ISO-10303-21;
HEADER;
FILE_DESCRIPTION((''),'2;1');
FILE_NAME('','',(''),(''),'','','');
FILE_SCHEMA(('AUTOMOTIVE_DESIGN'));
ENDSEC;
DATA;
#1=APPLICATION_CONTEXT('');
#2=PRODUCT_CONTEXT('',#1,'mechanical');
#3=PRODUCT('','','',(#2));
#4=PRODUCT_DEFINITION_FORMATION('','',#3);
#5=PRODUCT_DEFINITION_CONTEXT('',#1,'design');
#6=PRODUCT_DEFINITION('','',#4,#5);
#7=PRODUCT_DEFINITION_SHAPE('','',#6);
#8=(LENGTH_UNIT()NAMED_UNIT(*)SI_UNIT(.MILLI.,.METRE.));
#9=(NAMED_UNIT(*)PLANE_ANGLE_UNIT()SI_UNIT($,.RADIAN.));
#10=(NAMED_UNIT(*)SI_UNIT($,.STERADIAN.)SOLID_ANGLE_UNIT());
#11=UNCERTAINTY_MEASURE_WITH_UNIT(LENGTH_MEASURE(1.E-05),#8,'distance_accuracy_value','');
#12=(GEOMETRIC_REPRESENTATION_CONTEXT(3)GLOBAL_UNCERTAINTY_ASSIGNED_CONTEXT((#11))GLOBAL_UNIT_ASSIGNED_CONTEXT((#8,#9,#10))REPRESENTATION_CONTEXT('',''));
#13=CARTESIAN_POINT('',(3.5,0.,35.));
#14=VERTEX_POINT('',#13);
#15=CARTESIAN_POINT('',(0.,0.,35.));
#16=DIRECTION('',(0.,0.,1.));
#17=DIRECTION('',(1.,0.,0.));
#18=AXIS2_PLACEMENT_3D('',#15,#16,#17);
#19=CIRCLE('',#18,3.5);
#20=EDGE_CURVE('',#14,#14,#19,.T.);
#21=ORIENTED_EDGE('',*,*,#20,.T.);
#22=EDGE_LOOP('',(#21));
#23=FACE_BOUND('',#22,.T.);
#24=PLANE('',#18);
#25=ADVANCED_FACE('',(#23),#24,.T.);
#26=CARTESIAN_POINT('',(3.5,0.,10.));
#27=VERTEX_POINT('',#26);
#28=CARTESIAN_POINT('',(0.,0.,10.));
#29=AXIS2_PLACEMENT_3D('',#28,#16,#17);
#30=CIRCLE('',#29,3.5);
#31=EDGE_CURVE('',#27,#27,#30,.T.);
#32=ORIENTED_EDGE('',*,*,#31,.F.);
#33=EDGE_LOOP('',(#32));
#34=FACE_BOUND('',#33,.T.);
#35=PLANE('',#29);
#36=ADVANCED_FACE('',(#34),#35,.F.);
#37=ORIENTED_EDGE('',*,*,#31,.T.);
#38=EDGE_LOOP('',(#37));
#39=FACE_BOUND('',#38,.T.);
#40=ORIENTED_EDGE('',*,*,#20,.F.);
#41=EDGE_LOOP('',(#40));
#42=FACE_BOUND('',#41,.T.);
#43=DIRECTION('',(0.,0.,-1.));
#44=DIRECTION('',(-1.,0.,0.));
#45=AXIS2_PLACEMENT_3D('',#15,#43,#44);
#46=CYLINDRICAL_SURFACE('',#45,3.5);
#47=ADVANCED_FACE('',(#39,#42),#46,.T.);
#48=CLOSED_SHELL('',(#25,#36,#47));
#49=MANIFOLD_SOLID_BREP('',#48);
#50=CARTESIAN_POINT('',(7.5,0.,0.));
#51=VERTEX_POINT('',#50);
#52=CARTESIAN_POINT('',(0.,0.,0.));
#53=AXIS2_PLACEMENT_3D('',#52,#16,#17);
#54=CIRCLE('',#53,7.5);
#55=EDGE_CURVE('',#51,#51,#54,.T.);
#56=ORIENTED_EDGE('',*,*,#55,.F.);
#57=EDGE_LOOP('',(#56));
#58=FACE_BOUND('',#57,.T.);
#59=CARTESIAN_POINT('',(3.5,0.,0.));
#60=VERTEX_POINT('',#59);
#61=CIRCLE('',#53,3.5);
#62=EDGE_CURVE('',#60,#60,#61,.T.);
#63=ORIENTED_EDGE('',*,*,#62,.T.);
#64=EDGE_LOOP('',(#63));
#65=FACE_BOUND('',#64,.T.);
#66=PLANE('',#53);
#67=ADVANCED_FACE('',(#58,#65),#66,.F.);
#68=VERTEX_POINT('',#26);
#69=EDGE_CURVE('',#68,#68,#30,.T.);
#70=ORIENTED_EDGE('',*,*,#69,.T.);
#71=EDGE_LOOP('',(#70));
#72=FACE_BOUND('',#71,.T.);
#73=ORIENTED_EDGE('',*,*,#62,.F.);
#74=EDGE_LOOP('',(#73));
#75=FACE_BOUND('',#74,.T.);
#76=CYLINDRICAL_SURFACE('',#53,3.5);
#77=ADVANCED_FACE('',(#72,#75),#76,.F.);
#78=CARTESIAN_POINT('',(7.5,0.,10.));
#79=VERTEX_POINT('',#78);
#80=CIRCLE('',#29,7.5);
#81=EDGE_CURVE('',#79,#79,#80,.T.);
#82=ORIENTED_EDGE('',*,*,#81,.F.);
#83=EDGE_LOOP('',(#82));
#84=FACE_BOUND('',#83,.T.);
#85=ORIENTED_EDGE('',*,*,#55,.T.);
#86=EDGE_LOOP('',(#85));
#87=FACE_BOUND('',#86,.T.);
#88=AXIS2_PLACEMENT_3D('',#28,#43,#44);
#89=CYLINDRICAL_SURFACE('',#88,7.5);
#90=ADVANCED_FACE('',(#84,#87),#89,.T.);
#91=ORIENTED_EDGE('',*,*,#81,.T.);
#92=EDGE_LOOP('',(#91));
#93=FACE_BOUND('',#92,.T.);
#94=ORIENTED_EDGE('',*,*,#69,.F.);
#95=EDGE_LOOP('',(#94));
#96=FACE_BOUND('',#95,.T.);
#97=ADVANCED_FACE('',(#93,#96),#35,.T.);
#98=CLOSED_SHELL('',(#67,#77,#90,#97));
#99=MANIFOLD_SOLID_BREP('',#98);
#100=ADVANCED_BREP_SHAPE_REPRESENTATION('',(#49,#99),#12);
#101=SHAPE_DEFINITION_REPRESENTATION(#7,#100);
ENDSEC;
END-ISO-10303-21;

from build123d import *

# Parameters (mm, degrees)
SKETCH1_R           = 7.5
BOSS_EXTRUDE1_DEPTH = 10
SKETCH2_R           = 3.5
CUT_EXTRUDE1_DEPTH  = 10
SKETCH3_R           = 3.5
BOSS_EXTRUDE2_DEPTH = 25


with BuildPart() as part:
    # Sketch1 → Boss-Extrude1 (new body)
    with BuildSketch(Plane.XY):
        Circle(SKETCH1_R)
    extrude(amount=BOSS_EXTRUDE1_DEPTH)

    # Sketch2 → Cut-Extrude1 (cut)
    with BuildSketch(Plane.XY.offset(10)):
        Circle(SKETCH2_R)
    extrude(amount=-CUT_EXTRUDE1_DEPTH, mode=Mode.SUBTRACT)


with BuildPart() as body_2:
    # Sketch3 → Boss-Extrude2 (new body)
    with BuildSketch(Plane.XY.offset(10)):
        Circle(SKETCH3_R)
    extrude(amount=BOSS_EXTRUDE2_DEPTH)


solid = Compound([part.part, body_2.part])
